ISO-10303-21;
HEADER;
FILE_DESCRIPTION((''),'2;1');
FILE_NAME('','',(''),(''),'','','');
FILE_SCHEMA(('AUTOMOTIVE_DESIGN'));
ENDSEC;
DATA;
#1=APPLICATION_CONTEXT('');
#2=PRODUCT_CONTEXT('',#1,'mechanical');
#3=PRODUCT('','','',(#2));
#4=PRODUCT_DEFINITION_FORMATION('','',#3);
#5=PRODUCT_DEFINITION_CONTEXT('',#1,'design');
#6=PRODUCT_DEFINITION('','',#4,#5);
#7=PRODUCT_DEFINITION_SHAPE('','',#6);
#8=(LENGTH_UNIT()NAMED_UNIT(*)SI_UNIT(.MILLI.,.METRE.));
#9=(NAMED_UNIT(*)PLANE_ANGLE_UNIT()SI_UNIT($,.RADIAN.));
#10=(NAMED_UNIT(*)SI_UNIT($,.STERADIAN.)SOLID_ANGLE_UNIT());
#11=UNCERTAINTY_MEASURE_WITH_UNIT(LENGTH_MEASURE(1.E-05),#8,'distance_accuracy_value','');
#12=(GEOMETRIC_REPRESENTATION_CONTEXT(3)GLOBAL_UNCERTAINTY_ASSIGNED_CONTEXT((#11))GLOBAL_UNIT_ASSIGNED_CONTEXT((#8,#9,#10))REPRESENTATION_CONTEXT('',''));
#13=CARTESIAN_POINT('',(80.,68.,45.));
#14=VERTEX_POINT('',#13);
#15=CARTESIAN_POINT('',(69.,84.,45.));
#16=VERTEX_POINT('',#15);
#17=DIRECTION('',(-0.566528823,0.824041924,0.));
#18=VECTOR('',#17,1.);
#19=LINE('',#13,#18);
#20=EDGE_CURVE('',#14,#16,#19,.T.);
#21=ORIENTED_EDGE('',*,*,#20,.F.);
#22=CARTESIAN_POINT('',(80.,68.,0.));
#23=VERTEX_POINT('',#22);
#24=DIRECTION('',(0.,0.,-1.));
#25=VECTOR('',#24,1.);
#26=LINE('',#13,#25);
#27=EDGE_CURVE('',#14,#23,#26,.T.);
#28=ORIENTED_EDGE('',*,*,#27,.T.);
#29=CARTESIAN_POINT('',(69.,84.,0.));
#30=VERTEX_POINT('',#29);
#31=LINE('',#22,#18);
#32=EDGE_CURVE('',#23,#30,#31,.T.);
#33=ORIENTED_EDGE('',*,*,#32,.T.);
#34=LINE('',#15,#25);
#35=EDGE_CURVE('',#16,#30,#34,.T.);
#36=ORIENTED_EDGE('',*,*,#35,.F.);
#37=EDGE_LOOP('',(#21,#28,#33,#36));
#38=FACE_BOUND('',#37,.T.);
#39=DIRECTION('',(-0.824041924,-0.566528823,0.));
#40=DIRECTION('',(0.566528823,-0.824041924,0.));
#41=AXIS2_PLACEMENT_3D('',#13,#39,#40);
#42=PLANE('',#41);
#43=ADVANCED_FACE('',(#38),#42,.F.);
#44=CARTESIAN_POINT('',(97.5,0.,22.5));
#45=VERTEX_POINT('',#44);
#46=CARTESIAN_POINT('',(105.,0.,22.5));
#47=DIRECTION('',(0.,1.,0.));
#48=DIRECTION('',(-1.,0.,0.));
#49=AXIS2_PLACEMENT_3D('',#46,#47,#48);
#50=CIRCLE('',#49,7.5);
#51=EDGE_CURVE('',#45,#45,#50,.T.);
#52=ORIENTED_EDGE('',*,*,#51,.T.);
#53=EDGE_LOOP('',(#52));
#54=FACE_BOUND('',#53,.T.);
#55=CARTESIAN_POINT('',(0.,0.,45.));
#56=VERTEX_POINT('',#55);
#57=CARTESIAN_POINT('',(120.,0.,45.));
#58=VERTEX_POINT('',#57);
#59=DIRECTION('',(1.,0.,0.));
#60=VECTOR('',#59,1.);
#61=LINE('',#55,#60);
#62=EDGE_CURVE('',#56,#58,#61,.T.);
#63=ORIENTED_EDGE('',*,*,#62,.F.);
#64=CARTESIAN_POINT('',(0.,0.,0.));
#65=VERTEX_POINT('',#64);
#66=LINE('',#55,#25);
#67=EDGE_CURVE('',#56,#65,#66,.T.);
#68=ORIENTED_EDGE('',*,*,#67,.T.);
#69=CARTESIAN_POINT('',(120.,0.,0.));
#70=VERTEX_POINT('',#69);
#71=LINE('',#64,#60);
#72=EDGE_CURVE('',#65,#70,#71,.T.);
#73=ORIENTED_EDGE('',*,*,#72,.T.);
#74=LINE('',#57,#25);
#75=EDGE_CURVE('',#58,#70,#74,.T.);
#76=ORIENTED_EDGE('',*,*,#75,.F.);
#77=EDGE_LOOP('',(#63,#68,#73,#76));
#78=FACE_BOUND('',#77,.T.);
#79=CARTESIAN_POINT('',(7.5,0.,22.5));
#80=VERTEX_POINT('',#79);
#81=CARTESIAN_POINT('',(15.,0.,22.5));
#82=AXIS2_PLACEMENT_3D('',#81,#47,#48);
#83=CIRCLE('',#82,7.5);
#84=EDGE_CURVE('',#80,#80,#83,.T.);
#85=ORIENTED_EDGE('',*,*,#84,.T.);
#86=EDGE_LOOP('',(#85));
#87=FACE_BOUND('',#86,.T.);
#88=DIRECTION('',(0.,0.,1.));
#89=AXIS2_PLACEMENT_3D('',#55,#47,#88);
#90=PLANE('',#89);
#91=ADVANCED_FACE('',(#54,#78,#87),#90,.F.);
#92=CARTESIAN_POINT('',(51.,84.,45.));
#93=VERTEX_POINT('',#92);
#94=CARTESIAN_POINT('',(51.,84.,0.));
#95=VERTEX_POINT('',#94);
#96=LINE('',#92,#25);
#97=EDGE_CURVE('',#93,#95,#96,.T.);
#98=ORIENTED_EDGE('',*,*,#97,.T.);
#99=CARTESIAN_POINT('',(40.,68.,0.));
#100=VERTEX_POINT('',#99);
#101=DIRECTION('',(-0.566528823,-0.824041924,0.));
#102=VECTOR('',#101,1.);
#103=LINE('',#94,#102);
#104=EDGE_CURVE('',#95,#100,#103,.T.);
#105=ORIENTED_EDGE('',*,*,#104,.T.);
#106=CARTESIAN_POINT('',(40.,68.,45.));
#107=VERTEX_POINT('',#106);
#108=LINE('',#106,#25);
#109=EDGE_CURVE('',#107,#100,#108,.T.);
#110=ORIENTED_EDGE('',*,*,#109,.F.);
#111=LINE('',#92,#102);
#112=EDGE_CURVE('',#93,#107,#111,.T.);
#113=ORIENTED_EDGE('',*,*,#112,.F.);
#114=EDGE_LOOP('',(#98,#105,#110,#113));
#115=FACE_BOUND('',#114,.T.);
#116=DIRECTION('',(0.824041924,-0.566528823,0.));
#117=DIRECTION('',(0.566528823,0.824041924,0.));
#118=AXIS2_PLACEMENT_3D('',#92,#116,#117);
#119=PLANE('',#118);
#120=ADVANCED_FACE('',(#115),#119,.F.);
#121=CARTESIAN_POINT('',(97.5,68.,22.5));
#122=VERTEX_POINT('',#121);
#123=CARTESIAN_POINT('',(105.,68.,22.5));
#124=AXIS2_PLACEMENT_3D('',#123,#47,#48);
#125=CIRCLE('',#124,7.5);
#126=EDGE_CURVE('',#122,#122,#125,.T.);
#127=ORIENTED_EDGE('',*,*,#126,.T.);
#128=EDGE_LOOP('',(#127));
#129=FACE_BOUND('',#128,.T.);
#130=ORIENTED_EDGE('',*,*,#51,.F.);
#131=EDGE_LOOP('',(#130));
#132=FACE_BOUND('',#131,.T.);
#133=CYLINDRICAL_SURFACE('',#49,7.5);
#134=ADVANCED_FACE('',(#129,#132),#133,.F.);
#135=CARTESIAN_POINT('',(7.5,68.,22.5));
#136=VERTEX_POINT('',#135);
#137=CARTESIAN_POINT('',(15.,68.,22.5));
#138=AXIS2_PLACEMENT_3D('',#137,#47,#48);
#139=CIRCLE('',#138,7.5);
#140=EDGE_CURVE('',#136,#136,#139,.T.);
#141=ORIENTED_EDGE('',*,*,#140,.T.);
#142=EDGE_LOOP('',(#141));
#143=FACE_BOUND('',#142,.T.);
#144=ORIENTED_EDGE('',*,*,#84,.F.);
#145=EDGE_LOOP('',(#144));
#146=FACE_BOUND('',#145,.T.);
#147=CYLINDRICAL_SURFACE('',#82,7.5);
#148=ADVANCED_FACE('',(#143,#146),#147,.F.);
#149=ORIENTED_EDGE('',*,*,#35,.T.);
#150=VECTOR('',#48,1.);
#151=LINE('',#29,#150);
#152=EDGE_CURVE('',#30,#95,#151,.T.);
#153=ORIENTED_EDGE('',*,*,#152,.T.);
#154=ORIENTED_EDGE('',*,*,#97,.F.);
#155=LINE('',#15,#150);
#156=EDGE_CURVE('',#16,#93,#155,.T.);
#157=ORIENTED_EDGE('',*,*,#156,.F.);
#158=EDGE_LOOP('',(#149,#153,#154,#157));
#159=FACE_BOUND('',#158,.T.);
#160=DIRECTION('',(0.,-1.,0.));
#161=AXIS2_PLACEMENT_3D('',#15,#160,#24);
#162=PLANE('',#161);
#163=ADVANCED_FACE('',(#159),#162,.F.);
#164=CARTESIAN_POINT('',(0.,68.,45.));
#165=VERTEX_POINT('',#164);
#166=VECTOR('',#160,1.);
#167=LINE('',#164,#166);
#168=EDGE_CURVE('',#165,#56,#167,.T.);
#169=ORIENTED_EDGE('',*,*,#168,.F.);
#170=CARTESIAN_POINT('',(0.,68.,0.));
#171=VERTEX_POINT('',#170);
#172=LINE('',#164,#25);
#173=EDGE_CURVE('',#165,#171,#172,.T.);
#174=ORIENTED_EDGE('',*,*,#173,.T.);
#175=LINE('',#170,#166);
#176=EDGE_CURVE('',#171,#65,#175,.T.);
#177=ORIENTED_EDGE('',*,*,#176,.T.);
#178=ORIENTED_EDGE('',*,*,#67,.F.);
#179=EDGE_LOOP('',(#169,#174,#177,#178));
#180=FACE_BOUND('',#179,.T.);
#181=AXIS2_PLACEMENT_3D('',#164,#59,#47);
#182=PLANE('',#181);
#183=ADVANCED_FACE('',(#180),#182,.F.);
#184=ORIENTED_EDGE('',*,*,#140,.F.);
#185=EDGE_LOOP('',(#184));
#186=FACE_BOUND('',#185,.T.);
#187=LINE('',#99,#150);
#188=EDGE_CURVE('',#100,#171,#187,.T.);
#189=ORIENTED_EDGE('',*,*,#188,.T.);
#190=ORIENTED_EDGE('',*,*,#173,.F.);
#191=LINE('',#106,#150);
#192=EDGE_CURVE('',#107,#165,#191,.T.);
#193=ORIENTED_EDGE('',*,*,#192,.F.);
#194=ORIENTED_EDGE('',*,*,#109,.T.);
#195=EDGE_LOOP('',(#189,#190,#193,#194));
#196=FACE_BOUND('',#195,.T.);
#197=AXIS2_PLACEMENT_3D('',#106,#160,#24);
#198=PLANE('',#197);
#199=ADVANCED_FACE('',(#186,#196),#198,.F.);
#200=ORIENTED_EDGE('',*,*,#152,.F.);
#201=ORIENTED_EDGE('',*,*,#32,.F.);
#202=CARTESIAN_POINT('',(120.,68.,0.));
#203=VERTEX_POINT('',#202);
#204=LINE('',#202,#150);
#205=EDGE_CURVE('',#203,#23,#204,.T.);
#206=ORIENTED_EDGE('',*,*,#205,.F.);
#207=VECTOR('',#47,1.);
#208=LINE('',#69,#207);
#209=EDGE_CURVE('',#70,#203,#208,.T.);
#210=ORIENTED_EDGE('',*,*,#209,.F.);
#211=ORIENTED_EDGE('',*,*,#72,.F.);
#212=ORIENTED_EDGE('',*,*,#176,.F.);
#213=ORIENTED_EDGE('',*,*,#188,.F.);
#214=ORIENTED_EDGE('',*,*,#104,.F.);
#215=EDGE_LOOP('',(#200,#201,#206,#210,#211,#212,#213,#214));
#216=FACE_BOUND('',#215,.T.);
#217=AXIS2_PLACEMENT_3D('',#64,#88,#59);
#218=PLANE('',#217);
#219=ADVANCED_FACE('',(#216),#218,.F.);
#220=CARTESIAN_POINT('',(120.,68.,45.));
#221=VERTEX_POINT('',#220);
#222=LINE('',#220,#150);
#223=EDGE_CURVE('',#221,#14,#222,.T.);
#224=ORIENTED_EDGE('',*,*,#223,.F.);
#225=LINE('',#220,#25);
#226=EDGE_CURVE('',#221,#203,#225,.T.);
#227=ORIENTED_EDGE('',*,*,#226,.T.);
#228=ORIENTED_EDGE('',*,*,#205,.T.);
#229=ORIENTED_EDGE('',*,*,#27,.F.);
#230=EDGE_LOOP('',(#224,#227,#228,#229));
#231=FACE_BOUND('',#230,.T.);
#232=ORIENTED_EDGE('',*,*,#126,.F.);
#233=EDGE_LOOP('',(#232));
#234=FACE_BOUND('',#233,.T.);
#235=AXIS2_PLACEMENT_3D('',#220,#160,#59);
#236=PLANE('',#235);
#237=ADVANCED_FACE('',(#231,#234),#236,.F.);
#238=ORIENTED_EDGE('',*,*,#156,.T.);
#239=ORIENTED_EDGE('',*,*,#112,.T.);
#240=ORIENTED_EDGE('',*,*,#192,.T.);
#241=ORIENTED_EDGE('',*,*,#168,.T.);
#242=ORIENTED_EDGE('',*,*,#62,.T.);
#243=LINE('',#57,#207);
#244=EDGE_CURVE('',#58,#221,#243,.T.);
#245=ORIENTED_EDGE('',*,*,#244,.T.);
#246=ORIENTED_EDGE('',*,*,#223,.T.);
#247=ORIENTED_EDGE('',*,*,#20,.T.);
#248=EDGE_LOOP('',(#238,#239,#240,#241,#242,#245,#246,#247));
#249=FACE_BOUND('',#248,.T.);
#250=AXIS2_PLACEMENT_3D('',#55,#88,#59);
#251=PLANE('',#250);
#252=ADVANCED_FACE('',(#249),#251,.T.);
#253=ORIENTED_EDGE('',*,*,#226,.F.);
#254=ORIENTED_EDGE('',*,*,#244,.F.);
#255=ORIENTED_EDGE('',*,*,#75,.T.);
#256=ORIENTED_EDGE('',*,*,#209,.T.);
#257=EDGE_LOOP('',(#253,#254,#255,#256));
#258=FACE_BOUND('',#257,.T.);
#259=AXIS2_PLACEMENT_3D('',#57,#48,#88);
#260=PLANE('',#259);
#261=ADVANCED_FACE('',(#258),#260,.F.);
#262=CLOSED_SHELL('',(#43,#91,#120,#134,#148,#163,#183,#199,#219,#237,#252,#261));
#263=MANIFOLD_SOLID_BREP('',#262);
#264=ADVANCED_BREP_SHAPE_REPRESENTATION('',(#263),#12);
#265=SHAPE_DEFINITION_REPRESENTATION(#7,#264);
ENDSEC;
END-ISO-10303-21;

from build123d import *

# Parameters (mm, degrees)
BOSS_EXTRU_1_DEPTH      = 45
ESQUISSE2_R             = 7.5
BOSS_EXTRU_2_DEPTH      = 68
ESQUISSE2_4_R           = 7.5
ENL_V_MAT_EXTRU_1_DEPTH = 69


with BuildPart() as part:
    # Esquisse1 → Boss.-Extru.1 (new body)
    with BuildSketch(Plane.XY):
        Polygon((0, 0), (120, 0), (120, 68), (80, 68), (69, 84), (51, 84), (40, 68), (0, 68), align=None)
    extrude(amount=BOSS_EXTRU_1_DEPTH)

    # Esquisse2 → Boss.-Extru.2 (add, through all)
    with BuildSketch(Plane(origin=(0, 68, 0), x_dir=(1, 0, 0), z_dir=(0, 1, 0))):
        with Locations((105, -22.5)):
            Circle(ESQUISSE2_R)
        with Locations((15, -22.5)):
            Circle(ESQUISSE2_R)
    extrude(amount=-BOSS_EXTRU_2_DEPTH)

    # Esquisse2_4 → Enl_v. mat.-Extru.1 (cut, through all)
    with BuildSketch(Plane(origin=(0, 68, 0), x_dir=(1, 0, 0), z_dir=(0, 1, 0))):
        with Locations(Location((105, -22.5, 0), (0, 0, 180))):  # turned: the seam where the file's is
            Circle(ESQUISSE2_4_R)
        with Locations(Location((15, -22.5, 0), (0, 0, 180))):  # turned: the seam where the file's is
            Circle(ESQUISSE2_4_R)
    extrude(amount=-ENL_V_MAT_EXTRU_1_DEPTH, mode=Mode.SUBTRACT)


solid = part.part
